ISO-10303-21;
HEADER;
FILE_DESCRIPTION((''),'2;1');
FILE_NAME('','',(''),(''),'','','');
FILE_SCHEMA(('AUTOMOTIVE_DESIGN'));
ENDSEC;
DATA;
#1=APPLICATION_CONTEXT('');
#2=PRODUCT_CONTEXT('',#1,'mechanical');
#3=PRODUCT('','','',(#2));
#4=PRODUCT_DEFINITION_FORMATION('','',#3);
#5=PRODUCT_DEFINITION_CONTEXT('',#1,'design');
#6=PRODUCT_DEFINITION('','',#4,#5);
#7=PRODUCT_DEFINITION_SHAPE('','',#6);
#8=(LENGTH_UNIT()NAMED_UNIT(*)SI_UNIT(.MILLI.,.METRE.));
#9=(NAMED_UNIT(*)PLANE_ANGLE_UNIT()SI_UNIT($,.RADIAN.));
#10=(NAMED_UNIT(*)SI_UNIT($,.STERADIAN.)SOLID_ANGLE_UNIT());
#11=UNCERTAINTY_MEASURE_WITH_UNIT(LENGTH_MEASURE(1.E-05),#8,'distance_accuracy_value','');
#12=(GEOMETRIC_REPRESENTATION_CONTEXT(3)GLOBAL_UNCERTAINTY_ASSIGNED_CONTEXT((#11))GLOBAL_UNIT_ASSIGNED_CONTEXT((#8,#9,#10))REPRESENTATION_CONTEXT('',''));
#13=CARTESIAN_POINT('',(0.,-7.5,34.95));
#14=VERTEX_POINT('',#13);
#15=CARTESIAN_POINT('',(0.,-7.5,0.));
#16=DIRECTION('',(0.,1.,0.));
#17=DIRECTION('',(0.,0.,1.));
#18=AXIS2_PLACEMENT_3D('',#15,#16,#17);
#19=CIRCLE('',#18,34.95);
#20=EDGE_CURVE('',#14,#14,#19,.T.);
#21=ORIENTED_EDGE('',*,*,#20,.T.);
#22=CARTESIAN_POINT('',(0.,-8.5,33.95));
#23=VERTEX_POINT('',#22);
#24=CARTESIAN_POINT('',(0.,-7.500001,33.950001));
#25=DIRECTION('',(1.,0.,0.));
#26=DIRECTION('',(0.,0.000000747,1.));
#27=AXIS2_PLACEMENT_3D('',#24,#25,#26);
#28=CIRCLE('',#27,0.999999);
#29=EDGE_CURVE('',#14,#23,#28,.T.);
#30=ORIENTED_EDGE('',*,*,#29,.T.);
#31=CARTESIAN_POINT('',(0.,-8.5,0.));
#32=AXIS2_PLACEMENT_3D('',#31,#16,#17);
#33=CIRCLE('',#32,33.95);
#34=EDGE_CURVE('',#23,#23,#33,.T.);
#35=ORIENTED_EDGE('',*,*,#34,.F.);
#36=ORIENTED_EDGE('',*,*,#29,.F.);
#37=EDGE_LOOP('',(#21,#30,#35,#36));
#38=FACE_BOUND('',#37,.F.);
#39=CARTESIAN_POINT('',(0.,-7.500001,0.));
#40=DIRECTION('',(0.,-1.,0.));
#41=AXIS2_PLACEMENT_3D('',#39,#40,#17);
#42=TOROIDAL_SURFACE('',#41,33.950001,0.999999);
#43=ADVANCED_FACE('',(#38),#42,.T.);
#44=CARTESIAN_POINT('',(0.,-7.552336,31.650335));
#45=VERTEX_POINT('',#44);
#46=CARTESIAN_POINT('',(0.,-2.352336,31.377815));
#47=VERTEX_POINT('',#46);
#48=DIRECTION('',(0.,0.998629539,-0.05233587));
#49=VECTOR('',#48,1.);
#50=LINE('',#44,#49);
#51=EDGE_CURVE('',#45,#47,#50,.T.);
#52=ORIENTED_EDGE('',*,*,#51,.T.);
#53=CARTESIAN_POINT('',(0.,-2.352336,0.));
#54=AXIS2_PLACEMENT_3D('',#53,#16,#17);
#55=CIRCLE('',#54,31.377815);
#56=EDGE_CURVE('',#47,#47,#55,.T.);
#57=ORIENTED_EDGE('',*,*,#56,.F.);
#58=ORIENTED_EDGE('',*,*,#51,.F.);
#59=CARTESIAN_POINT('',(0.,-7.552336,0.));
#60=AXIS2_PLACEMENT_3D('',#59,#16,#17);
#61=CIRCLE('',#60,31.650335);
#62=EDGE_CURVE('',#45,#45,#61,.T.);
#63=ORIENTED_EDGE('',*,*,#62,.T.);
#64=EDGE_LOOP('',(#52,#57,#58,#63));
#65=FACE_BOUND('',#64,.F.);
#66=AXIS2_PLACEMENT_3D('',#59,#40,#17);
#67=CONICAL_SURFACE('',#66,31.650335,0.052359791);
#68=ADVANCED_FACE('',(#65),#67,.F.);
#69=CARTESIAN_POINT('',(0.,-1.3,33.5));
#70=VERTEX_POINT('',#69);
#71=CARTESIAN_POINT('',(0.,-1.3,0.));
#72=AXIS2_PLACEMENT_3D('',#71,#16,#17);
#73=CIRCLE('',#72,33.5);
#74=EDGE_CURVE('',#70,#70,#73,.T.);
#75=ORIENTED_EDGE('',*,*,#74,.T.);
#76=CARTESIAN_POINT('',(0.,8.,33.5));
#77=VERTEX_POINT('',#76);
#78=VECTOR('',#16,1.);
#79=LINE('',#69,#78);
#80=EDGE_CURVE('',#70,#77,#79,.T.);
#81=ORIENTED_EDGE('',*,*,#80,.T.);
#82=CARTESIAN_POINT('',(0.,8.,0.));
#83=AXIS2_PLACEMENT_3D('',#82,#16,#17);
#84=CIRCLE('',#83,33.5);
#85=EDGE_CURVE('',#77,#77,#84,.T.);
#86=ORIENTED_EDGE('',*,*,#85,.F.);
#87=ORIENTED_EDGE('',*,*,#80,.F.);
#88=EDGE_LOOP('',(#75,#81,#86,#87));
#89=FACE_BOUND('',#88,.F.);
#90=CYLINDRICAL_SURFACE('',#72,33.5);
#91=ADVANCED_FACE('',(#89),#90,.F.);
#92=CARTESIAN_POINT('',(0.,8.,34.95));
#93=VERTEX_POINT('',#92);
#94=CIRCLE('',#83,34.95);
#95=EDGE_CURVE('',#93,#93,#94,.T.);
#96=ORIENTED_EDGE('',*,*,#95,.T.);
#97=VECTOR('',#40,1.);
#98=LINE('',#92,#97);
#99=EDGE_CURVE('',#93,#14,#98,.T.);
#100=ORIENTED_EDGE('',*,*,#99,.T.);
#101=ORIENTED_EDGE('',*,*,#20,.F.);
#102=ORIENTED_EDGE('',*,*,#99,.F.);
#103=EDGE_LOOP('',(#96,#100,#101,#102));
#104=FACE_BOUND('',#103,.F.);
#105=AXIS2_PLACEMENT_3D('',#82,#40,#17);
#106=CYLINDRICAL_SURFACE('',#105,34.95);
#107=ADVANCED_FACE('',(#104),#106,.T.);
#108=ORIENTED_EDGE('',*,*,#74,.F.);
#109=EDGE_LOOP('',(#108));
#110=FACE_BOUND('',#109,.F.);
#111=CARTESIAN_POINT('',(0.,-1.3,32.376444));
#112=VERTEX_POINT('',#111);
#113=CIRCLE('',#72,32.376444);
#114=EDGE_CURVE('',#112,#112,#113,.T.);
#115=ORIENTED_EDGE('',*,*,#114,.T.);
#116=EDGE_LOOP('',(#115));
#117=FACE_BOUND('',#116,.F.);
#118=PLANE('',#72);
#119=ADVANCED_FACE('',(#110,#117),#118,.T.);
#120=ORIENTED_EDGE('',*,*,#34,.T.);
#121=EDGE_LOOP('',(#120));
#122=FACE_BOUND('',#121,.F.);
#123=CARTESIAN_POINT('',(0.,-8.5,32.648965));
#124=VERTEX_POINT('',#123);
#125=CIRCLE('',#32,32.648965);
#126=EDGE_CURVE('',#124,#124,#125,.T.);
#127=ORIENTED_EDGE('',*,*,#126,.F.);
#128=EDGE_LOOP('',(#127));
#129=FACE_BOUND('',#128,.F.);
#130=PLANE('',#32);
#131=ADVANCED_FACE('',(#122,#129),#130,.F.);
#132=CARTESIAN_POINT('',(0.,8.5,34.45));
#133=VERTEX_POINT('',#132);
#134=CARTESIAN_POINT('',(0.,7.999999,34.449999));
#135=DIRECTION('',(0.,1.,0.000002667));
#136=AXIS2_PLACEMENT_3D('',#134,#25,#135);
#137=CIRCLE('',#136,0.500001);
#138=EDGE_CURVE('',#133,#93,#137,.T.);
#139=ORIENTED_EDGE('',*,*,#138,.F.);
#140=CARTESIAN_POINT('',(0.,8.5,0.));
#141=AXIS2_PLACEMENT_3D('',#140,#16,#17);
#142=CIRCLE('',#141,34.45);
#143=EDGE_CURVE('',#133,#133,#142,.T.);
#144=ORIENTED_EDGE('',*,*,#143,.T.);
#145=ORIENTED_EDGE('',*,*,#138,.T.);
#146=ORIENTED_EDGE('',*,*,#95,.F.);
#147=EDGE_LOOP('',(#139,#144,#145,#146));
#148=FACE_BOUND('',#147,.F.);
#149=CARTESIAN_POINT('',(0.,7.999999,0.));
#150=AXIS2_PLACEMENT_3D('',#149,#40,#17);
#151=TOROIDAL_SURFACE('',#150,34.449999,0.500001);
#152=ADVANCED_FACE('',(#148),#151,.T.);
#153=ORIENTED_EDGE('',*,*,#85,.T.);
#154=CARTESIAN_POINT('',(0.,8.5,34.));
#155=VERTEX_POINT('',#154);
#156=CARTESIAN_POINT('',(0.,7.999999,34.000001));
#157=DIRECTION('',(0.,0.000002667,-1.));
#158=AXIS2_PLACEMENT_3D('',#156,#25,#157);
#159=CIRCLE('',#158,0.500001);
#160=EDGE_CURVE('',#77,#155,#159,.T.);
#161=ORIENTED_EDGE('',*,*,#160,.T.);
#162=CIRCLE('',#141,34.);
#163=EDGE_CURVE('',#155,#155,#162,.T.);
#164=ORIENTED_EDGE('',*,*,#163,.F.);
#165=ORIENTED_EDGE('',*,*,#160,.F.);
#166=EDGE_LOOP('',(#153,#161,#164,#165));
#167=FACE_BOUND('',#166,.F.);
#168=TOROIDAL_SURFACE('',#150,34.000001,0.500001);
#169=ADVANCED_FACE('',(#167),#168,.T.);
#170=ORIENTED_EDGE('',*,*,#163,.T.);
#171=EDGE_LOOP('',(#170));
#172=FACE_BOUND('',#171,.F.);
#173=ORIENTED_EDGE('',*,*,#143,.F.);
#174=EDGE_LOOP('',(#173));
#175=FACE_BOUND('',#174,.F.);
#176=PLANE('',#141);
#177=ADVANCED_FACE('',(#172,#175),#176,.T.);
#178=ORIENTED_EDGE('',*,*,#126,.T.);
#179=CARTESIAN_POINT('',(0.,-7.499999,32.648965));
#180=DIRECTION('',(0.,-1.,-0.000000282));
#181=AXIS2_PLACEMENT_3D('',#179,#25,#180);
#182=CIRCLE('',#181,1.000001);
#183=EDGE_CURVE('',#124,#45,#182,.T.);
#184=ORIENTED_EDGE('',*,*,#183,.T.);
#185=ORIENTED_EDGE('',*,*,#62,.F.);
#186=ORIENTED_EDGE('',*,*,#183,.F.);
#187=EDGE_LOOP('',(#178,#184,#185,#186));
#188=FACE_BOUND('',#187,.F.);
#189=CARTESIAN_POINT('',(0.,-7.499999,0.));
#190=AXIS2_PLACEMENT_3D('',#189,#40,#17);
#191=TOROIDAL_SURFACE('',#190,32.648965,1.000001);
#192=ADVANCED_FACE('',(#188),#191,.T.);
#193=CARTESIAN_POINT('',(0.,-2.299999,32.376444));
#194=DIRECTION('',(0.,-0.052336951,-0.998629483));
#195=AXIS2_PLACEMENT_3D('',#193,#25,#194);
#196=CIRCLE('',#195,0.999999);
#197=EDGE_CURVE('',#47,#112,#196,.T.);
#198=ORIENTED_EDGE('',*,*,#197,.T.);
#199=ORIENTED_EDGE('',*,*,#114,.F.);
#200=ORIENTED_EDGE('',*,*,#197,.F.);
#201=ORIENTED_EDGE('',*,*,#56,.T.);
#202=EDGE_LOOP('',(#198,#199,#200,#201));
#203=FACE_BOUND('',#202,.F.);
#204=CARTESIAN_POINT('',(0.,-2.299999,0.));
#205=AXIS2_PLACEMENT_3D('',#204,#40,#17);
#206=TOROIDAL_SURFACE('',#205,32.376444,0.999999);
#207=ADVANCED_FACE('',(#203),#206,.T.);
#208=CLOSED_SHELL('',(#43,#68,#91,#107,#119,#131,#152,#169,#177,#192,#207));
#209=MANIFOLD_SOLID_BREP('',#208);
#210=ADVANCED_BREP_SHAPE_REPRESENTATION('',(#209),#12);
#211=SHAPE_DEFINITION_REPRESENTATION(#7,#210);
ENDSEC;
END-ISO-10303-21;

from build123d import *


with BuildPart() as f1:
    # F0 (on Right) → F1 (revolve)
    with BuildSketch(Plane.YZ):
        with BuildLine():
            Line((8, 34.95), (-7.5, 34.95))
            ThreePointArc((-7.5, 34.95), (-8.207107, 34.657107), (-8.5, 33.95))
            Line((-8.5, 33.95), (-8.5, 32.648965))
            ThreePointArc((-8.5, 32.648965), (-8.225374, 31.96061), (-7.552336, 31.650335))
            Line((-7.552336, 31.650335), (-2.352336, 31.377815))
            ThreePointArc((-2.352336, 31.377815), (-1.611645, 31.65107), (-1.3, 32.376444))
            Line((-1.3, 32.376444), (-1.3, 33.5))
            Line((-1.3, 33.5), (8, 33.5))
            ThreePointArc((8, 33.5), (8.353553, 33.646447), (8.5, 34))
            Line((8.5, 34), (8.5, 34.45))
            ThreePointArc((8.5, 34.45), (8.353553, 34.803553), (8, 34.95))
        make_face()
    revolve(axis=Axis((0, -1.514213, 0), (0, 1, 0)))


solid = f1.part
